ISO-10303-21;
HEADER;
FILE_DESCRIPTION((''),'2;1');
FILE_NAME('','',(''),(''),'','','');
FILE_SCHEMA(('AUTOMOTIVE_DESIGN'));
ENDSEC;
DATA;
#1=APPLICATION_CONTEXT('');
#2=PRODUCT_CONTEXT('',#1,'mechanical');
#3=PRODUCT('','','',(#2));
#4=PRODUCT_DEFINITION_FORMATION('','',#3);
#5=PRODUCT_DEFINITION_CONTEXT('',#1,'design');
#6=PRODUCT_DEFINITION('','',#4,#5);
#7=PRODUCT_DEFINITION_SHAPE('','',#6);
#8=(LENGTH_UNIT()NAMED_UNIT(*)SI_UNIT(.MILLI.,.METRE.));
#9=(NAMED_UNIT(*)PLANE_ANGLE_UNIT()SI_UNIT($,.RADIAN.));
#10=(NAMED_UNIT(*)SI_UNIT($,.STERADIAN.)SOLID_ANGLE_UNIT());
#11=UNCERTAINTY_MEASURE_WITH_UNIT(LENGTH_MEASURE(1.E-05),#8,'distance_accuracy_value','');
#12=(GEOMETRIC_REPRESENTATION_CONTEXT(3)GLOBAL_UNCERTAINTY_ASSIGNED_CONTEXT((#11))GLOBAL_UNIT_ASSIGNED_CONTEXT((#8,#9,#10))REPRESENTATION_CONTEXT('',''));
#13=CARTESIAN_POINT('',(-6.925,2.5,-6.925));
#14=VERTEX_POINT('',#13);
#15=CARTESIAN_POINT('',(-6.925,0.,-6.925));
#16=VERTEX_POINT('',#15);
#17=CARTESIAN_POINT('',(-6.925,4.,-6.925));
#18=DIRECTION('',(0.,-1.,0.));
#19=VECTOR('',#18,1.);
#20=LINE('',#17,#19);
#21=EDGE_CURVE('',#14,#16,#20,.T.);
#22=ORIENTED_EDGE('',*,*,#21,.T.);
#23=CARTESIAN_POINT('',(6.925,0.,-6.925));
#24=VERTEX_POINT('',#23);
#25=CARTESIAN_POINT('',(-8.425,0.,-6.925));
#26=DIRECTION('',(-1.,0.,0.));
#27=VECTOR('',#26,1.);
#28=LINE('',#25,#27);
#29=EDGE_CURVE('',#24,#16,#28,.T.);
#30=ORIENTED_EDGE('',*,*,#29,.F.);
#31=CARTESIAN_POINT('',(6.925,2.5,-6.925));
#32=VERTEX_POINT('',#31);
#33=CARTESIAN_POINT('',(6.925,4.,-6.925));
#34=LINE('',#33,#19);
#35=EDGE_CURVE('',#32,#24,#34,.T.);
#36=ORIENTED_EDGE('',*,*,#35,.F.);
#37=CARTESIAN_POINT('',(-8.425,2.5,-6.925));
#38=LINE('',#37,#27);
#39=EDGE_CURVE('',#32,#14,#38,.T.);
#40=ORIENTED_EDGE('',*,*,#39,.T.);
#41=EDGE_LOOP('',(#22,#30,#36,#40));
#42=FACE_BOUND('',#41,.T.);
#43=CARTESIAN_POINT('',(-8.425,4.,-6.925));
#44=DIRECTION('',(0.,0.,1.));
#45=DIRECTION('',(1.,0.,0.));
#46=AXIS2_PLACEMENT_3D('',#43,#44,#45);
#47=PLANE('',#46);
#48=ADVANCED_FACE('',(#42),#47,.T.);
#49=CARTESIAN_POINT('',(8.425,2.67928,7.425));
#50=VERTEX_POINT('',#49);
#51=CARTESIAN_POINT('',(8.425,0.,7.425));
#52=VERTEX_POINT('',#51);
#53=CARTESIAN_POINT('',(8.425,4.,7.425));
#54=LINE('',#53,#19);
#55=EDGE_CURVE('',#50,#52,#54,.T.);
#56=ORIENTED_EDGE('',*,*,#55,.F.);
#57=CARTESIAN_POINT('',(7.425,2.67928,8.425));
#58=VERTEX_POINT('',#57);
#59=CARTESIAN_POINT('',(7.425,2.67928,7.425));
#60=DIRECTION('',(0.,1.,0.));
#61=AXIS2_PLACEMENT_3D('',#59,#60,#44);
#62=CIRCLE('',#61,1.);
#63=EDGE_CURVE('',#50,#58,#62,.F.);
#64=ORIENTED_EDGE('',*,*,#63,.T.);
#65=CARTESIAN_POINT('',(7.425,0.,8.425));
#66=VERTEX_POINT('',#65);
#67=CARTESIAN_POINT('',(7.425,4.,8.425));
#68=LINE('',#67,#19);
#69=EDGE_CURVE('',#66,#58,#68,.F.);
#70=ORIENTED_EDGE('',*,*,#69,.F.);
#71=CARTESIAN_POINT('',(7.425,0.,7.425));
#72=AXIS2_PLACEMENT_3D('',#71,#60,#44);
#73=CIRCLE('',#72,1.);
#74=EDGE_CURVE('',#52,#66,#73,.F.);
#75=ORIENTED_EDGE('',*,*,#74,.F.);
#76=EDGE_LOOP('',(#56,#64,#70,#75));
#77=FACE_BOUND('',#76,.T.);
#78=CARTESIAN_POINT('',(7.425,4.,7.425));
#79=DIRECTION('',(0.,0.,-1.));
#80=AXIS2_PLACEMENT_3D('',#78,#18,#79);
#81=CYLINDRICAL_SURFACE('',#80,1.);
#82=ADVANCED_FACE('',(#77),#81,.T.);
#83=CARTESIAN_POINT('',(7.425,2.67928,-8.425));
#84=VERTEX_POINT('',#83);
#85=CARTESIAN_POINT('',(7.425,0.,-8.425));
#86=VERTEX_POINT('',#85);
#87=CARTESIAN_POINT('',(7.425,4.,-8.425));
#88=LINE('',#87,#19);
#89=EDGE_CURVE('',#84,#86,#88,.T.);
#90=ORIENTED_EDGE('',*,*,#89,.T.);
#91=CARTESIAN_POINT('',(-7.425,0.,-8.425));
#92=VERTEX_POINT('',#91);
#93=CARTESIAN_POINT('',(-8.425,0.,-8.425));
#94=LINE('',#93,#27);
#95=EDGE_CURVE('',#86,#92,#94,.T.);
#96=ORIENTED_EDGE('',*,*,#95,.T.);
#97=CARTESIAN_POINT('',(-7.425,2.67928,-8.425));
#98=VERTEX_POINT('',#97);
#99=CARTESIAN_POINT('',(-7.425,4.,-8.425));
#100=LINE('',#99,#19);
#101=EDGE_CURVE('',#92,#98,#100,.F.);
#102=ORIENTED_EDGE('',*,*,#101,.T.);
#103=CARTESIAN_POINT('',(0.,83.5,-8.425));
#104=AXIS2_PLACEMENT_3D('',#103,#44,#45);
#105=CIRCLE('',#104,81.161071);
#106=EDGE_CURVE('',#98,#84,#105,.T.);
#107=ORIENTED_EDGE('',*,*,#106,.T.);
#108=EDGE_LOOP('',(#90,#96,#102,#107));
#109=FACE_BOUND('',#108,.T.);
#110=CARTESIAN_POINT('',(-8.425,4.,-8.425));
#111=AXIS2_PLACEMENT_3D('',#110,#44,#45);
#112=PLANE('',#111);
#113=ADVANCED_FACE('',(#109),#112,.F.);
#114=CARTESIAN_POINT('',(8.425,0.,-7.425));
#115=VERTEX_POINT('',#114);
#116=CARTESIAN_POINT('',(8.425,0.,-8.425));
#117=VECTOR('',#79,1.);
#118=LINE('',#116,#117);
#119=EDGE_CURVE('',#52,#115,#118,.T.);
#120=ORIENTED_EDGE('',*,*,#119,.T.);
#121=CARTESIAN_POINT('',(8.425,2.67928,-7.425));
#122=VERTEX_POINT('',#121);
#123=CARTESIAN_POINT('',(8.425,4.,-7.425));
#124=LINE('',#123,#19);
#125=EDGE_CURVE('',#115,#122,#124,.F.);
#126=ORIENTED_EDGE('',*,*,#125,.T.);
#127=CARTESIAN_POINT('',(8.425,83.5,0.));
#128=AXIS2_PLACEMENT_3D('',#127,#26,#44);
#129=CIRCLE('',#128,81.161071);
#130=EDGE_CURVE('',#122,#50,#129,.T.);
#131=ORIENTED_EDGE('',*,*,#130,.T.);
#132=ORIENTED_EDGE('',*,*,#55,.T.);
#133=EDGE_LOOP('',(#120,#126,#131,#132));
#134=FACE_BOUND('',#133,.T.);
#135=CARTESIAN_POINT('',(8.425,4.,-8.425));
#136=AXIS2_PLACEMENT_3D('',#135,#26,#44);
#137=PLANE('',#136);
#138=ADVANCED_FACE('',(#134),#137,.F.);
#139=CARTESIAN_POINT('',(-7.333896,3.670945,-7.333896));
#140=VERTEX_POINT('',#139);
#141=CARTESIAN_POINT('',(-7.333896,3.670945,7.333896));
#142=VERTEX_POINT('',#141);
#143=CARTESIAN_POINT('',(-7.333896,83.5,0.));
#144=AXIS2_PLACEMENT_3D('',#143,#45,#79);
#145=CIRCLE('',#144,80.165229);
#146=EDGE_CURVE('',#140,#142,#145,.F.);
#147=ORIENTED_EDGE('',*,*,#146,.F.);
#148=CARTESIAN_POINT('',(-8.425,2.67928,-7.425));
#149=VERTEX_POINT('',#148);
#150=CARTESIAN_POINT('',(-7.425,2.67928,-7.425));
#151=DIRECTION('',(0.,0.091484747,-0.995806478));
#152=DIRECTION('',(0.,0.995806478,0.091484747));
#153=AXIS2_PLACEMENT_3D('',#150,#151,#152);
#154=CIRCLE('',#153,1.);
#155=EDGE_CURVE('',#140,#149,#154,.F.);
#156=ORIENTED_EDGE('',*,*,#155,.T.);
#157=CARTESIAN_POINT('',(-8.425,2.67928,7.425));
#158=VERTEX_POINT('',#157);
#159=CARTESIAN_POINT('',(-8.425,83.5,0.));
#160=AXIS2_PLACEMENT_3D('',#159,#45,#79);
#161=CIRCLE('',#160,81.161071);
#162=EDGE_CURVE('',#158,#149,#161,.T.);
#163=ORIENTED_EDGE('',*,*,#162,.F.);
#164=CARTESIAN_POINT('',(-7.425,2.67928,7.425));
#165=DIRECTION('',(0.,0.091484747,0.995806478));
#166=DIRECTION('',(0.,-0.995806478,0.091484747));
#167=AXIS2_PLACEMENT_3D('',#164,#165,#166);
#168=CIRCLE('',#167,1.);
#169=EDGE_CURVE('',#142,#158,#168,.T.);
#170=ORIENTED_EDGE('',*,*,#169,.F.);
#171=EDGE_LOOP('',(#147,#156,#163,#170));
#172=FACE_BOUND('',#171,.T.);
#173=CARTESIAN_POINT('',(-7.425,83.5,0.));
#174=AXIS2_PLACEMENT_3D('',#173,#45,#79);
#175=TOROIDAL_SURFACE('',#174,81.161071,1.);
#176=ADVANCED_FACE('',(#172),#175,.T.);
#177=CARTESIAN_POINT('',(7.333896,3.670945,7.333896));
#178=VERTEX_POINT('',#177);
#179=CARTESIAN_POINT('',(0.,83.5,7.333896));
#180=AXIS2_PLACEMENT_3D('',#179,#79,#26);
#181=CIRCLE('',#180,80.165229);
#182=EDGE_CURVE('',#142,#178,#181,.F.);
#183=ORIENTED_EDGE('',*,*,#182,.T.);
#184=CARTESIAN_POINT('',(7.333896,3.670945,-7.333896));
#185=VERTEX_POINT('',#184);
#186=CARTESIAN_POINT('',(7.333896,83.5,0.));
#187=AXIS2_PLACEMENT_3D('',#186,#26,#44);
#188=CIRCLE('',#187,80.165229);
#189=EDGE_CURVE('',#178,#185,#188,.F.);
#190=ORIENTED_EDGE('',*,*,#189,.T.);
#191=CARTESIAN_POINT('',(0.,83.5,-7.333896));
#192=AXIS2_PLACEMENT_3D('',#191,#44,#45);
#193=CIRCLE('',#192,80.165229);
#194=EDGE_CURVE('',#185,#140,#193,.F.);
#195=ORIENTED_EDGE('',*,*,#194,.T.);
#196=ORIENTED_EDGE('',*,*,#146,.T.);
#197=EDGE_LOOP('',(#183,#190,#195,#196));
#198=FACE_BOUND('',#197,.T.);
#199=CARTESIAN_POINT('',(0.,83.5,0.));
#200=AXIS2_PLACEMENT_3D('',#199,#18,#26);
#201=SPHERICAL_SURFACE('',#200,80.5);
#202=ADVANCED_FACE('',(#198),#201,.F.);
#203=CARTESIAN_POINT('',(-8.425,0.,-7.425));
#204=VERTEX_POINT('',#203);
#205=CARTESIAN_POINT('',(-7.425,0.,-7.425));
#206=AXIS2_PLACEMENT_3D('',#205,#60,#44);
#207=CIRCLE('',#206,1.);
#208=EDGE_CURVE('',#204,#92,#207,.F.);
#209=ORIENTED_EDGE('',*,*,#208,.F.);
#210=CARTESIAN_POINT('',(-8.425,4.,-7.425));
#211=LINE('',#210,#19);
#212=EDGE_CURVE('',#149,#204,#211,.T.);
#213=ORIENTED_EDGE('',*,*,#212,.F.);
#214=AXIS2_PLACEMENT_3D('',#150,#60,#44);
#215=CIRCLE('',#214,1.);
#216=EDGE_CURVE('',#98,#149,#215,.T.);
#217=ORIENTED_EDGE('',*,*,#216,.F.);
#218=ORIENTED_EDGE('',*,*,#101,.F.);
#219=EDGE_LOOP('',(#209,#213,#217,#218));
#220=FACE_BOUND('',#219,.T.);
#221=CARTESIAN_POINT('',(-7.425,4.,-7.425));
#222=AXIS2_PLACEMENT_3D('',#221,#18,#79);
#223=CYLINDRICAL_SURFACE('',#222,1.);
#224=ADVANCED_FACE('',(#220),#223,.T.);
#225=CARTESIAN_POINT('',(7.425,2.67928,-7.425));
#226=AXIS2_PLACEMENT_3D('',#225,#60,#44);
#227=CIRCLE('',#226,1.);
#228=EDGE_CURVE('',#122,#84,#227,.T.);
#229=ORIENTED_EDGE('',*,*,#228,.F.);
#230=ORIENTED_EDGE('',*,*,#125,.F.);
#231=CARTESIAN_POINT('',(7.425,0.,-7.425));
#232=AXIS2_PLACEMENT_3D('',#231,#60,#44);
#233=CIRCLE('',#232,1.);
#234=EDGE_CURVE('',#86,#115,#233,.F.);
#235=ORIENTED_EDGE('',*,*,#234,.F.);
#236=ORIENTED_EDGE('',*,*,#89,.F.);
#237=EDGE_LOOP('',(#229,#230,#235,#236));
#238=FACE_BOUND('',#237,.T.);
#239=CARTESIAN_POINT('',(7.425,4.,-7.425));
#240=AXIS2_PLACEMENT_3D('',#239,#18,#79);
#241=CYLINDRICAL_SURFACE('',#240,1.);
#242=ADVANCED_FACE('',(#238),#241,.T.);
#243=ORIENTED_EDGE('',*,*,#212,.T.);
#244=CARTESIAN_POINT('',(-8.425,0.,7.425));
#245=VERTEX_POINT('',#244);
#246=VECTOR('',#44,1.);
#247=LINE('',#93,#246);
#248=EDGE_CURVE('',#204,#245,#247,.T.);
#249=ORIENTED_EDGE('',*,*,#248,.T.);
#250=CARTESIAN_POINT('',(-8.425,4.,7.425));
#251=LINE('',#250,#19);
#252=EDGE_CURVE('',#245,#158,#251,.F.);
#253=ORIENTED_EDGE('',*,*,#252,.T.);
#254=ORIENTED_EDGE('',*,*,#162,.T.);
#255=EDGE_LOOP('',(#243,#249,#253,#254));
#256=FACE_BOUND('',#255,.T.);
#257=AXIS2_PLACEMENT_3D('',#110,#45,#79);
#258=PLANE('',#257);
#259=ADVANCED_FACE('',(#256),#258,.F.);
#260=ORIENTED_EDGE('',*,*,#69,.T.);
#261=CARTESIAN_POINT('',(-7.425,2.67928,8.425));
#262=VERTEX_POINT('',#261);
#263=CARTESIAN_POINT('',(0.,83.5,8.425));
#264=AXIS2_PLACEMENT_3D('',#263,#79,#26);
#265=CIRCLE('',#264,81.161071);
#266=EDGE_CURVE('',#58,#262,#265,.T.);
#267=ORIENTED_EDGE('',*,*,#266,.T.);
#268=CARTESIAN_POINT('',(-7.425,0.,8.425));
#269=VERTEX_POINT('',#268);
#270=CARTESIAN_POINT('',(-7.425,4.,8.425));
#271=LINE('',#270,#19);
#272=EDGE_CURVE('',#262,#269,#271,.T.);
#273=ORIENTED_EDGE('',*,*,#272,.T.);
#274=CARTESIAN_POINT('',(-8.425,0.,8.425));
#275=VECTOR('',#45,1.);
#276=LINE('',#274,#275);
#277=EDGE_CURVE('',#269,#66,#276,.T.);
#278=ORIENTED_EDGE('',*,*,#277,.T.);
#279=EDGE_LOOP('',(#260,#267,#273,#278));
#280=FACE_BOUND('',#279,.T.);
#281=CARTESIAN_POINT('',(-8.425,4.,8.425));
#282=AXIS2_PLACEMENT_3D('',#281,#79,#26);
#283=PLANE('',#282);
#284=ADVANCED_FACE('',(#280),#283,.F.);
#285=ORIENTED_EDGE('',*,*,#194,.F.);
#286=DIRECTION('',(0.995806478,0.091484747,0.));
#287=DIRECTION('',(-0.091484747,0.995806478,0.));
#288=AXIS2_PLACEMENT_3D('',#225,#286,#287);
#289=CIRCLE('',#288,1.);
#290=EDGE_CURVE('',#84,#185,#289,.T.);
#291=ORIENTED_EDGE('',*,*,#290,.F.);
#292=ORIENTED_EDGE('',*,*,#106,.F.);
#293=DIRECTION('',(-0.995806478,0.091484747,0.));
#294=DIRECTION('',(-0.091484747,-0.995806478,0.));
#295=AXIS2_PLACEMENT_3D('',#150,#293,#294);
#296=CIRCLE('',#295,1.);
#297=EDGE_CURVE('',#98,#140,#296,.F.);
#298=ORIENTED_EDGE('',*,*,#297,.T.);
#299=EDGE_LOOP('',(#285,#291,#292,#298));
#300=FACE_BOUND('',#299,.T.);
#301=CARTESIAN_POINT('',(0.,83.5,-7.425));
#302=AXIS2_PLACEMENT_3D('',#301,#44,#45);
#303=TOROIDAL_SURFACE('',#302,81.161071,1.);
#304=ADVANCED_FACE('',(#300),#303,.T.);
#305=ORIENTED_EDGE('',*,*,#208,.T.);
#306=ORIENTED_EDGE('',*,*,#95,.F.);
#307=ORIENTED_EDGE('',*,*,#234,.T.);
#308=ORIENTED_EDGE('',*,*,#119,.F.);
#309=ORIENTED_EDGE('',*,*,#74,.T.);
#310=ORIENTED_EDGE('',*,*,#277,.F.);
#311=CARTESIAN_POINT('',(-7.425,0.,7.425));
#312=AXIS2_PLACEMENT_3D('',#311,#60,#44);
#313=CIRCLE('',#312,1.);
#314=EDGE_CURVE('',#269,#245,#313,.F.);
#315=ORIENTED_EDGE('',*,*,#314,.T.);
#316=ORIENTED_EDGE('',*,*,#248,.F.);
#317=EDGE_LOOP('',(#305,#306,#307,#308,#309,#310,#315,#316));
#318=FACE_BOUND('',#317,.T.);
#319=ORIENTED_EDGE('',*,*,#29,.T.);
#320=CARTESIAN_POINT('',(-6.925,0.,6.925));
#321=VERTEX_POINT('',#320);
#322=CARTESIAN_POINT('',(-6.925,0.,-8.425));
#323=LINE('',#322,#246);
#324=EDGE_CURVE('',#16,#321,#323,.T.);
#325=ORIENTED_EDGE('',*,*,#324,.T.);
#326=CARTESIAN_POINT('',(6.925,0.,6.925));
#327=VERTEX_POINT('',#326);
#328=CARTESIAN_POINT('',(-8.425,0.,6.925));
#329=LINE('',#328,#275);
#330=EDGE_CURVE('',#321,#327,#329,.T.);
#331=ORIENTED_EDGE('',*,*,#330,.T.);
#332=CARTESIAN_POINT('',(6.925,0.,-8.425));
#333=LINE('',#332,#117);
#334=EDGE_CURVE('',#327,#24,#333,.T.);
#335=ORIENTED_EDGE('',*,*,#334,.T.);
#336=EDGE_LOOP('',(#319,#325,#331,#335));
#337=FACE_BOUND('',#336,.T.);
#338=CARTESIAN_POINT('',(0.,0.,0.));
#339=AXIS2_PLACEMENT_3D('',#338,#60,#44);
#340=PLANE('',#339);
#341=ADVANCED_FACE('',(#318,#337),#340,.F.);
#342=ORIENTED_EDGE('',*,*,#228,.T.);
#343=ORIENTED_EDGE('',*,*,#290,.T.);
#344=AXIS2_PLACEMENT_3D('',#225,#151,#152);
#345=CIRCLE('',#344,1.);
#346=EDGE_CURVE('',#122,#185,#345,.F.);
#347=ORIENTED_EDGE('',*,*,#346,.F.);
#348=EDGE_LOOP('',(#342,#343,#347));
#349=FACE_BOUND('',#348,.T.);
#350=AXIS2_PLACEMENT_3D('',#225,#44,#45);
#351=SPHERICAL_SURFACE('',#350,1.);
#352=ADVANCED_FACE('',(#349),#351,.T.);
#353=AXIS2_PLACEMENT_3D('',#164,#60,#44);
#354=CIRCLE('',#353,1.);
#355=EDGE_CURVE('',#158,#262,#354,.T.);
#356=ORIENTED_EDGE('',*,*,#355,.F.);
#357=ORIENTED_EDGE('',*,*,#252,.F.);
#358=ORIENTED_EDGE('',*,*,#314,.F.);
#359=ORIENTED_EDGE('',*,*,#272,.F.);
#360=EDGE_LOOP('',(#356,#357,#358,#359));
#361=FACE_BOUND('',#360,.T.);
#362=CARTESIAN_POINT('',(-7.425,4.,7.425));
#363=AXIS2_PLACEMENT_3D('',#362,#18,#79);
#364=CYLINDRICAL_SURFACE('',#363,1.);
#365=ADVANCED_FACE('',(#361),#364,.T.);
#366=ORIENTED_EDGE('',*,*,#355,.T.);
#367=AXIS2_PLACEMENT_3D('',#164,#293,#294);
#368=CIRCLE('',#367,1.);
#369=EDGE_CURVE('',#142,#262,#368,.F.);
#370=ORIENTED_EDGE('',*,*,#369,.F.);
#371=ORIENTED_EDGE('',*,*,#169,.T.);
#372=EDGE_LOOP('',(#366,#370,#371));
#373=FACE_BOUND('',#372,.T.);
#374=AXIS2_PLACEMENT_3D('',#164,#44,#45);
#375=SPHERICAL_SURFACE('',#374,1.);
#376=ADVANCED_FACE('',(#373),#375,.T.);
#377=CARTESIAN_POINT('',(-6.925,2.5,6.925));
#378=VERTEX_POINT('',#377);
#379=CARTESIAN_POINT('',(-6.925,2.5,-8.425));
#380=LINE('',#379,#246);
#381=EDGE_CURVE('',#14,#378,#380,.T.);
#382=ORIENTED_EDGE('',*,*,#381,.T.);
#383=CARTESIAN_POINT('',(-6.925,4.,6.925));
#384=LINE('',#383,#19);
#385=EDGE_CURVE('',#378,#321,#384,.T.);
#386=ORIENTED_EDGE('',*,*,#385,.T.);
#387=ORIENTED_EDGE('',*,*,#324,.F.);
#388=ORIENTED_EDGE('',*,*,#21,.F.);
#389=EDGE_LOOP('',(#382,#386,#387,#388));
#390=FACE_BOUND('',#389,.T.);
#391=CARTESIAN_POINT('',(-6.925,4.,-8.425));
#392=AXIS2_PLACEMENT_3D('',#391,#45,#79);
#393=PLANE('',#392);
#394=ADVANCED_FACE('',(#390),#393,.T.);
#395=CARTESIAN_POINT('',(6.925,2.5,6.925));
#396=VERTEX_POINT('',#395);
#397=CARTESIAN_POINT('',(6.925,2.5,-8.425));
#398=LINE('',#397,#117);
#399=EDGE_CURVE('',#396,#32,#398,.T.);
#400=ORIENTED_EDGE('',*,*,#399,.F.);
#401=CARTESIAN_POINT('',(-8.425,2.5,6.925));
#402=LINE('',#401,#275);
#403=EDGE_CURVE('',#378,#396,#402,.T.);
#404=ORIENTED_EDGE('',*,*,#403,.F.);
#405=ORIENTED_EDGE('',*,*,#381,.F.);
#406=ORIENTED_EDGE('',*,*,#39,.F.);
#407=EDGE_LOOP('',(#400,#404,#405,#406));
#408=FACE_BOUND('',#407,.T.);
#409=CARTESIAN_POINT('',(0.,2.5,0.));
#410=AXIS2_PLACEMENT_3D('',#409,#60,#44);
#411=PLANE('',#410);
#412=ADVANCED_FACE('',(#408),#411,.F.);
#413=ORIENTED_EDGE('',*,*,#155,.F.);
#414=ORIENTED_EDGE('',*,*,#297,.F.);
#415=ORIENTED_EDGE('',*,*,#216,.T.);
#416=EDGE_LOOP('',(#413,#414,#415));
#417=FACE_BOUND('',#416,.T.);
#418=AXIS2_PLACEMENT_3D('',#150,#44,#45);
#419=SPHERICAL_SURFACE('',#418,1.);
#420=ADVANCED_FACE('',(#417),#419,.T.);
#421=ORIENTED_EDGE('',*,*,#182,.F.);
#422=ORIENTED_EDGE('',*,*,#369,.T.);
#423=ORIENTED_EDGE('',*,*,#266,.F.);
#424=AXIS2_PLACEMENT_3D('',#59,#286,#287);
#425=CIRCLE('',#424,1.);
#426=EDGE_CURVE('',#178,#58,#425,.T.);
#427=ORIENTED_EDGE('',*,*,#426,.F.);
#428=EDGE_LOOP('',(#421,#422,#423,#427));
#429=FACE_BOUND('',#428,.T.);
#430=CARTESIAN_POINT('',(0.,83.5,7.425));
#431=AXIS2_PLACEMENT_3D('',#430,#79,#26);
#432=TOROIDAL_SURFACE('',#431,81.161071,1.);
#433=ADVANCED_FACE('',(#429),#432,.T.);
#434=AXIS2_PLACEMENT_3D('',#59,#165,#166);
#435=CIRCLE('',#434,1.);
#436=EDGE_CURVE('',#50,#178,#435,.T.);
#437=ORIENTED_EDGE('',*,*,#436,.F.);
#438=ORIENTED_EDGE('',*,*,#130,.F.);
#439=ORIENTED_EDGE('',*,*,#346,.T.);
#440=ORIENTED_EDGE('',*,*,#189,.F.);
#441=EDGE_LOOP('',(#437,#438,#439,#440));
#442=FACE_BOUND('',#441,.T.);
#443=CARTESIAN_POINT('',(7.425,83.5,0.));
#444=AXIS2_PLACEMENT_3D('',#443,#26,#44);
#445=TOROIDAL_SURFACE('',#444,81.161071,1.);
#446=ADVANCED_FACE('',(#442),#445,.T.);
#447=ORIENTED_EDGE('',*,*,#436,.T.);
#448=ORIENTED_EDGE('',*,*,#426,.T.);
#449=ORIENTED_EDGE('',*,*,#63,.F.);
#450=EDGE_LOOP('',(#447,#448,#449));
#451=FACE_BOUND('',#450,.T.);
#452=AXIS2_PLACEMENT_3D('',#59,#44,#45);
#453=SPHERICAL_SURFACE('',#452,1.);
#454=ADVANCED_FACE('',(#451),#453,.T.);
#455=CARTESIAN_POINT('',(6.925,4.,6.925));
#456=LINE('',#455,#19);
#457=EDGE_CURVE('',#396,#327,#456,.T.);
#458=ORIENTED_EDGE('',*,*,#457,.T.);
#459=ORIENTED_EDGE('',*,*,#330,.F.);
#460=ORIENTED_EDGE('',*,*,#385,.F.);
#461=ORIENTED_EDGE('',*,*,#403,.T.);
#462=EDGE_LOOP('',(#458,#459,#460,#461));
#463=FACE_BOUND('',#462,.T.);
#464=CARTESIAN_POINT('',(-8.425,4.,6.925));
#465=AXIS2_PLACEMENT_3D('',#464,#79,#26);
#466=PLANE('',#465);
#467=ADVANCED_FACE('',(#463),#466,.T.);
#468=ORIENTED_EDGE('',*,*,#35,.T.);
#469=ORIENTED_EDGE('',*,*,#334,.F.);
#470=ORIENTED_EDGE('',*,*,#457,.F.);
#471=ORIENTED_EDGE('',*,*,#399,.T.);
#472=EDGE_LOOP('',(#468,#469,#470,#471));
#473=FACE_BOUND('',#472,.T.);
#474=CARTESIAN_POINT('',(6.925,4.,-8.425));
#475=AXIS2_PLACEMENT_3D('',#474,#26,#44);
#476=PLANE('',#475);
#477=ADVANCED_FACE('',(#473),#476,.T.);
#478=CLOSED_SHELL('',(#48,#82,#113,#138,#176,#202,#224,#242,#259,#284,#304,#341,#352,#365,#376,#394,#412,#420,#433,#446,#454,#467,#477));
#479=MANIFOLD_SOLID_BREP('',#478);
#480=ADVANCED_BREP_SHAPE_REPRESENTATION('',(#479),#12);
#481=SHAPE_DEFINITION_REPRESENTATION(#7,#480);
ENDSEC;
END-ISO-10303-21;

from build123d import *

# Parameters (mm, degrees)
SKETCH_1_W      = 16.85
SKETCH_1_H      = 16.85
EXTRUDE_1_DEPTH = 4
SHELL_1_T       = -1.5
FILLET_1_R      = 1


with BuildPart() as part:
    # 草图1 → 凸台-拉伸1 (new body)
    with BuildSketch(Plane(origin=(0, 0, 0), x_dir=(1, 0, 0), z_dir=(0, 1, 0))):
        Rectangle(SKETCH_1_W, SKETCH_1_H)
    extrude(amount=EXTRUDE_1_DEPTH)

    # 抽壳1
    shell_1_openings = [part.faces().sort_by_distance(p)[0] for p in [
        (0, 0, 0),
    ]]
    offset(amount=SHELL_1_T, openings=shell_1_openings, kind=Kind.INTERSECTION)

    # 草图2 → 切除-旋转5 (revolve, cut)
    with BuildSketch(Plane.XY):
        with BuildLine():
            Line((0, 164), (0, 3))
            ThreePointArc((0, 3), (80.5, 83.5), (0, 164))
        make_face()
    revolve(axis=Axis((0, 0, 0), (0, 1, 0)), mode=Mode.SUBTRACT)

    # 圆角1
    fillet_1_edges = [part.edges().sort_by_distance(p)[0] for p in [
        (8.425, 1.943314789, 8.425),
        (-8.425, 1.943314789, 8.425),
        (0, 3.442087368, 8.425),
        (-8.425, 1.943314789, -8.425),
        (8.425, 1.943314789, -8.425),
        (0, 3.442087368, -8.425),
        (8.425, 3.553300166, 4.218359953),
        (-8.425, 3.442087368, 0),
    ]]
    fillet(fillet_1_edges, radius=FILLET_1_R)


solid = part.part
